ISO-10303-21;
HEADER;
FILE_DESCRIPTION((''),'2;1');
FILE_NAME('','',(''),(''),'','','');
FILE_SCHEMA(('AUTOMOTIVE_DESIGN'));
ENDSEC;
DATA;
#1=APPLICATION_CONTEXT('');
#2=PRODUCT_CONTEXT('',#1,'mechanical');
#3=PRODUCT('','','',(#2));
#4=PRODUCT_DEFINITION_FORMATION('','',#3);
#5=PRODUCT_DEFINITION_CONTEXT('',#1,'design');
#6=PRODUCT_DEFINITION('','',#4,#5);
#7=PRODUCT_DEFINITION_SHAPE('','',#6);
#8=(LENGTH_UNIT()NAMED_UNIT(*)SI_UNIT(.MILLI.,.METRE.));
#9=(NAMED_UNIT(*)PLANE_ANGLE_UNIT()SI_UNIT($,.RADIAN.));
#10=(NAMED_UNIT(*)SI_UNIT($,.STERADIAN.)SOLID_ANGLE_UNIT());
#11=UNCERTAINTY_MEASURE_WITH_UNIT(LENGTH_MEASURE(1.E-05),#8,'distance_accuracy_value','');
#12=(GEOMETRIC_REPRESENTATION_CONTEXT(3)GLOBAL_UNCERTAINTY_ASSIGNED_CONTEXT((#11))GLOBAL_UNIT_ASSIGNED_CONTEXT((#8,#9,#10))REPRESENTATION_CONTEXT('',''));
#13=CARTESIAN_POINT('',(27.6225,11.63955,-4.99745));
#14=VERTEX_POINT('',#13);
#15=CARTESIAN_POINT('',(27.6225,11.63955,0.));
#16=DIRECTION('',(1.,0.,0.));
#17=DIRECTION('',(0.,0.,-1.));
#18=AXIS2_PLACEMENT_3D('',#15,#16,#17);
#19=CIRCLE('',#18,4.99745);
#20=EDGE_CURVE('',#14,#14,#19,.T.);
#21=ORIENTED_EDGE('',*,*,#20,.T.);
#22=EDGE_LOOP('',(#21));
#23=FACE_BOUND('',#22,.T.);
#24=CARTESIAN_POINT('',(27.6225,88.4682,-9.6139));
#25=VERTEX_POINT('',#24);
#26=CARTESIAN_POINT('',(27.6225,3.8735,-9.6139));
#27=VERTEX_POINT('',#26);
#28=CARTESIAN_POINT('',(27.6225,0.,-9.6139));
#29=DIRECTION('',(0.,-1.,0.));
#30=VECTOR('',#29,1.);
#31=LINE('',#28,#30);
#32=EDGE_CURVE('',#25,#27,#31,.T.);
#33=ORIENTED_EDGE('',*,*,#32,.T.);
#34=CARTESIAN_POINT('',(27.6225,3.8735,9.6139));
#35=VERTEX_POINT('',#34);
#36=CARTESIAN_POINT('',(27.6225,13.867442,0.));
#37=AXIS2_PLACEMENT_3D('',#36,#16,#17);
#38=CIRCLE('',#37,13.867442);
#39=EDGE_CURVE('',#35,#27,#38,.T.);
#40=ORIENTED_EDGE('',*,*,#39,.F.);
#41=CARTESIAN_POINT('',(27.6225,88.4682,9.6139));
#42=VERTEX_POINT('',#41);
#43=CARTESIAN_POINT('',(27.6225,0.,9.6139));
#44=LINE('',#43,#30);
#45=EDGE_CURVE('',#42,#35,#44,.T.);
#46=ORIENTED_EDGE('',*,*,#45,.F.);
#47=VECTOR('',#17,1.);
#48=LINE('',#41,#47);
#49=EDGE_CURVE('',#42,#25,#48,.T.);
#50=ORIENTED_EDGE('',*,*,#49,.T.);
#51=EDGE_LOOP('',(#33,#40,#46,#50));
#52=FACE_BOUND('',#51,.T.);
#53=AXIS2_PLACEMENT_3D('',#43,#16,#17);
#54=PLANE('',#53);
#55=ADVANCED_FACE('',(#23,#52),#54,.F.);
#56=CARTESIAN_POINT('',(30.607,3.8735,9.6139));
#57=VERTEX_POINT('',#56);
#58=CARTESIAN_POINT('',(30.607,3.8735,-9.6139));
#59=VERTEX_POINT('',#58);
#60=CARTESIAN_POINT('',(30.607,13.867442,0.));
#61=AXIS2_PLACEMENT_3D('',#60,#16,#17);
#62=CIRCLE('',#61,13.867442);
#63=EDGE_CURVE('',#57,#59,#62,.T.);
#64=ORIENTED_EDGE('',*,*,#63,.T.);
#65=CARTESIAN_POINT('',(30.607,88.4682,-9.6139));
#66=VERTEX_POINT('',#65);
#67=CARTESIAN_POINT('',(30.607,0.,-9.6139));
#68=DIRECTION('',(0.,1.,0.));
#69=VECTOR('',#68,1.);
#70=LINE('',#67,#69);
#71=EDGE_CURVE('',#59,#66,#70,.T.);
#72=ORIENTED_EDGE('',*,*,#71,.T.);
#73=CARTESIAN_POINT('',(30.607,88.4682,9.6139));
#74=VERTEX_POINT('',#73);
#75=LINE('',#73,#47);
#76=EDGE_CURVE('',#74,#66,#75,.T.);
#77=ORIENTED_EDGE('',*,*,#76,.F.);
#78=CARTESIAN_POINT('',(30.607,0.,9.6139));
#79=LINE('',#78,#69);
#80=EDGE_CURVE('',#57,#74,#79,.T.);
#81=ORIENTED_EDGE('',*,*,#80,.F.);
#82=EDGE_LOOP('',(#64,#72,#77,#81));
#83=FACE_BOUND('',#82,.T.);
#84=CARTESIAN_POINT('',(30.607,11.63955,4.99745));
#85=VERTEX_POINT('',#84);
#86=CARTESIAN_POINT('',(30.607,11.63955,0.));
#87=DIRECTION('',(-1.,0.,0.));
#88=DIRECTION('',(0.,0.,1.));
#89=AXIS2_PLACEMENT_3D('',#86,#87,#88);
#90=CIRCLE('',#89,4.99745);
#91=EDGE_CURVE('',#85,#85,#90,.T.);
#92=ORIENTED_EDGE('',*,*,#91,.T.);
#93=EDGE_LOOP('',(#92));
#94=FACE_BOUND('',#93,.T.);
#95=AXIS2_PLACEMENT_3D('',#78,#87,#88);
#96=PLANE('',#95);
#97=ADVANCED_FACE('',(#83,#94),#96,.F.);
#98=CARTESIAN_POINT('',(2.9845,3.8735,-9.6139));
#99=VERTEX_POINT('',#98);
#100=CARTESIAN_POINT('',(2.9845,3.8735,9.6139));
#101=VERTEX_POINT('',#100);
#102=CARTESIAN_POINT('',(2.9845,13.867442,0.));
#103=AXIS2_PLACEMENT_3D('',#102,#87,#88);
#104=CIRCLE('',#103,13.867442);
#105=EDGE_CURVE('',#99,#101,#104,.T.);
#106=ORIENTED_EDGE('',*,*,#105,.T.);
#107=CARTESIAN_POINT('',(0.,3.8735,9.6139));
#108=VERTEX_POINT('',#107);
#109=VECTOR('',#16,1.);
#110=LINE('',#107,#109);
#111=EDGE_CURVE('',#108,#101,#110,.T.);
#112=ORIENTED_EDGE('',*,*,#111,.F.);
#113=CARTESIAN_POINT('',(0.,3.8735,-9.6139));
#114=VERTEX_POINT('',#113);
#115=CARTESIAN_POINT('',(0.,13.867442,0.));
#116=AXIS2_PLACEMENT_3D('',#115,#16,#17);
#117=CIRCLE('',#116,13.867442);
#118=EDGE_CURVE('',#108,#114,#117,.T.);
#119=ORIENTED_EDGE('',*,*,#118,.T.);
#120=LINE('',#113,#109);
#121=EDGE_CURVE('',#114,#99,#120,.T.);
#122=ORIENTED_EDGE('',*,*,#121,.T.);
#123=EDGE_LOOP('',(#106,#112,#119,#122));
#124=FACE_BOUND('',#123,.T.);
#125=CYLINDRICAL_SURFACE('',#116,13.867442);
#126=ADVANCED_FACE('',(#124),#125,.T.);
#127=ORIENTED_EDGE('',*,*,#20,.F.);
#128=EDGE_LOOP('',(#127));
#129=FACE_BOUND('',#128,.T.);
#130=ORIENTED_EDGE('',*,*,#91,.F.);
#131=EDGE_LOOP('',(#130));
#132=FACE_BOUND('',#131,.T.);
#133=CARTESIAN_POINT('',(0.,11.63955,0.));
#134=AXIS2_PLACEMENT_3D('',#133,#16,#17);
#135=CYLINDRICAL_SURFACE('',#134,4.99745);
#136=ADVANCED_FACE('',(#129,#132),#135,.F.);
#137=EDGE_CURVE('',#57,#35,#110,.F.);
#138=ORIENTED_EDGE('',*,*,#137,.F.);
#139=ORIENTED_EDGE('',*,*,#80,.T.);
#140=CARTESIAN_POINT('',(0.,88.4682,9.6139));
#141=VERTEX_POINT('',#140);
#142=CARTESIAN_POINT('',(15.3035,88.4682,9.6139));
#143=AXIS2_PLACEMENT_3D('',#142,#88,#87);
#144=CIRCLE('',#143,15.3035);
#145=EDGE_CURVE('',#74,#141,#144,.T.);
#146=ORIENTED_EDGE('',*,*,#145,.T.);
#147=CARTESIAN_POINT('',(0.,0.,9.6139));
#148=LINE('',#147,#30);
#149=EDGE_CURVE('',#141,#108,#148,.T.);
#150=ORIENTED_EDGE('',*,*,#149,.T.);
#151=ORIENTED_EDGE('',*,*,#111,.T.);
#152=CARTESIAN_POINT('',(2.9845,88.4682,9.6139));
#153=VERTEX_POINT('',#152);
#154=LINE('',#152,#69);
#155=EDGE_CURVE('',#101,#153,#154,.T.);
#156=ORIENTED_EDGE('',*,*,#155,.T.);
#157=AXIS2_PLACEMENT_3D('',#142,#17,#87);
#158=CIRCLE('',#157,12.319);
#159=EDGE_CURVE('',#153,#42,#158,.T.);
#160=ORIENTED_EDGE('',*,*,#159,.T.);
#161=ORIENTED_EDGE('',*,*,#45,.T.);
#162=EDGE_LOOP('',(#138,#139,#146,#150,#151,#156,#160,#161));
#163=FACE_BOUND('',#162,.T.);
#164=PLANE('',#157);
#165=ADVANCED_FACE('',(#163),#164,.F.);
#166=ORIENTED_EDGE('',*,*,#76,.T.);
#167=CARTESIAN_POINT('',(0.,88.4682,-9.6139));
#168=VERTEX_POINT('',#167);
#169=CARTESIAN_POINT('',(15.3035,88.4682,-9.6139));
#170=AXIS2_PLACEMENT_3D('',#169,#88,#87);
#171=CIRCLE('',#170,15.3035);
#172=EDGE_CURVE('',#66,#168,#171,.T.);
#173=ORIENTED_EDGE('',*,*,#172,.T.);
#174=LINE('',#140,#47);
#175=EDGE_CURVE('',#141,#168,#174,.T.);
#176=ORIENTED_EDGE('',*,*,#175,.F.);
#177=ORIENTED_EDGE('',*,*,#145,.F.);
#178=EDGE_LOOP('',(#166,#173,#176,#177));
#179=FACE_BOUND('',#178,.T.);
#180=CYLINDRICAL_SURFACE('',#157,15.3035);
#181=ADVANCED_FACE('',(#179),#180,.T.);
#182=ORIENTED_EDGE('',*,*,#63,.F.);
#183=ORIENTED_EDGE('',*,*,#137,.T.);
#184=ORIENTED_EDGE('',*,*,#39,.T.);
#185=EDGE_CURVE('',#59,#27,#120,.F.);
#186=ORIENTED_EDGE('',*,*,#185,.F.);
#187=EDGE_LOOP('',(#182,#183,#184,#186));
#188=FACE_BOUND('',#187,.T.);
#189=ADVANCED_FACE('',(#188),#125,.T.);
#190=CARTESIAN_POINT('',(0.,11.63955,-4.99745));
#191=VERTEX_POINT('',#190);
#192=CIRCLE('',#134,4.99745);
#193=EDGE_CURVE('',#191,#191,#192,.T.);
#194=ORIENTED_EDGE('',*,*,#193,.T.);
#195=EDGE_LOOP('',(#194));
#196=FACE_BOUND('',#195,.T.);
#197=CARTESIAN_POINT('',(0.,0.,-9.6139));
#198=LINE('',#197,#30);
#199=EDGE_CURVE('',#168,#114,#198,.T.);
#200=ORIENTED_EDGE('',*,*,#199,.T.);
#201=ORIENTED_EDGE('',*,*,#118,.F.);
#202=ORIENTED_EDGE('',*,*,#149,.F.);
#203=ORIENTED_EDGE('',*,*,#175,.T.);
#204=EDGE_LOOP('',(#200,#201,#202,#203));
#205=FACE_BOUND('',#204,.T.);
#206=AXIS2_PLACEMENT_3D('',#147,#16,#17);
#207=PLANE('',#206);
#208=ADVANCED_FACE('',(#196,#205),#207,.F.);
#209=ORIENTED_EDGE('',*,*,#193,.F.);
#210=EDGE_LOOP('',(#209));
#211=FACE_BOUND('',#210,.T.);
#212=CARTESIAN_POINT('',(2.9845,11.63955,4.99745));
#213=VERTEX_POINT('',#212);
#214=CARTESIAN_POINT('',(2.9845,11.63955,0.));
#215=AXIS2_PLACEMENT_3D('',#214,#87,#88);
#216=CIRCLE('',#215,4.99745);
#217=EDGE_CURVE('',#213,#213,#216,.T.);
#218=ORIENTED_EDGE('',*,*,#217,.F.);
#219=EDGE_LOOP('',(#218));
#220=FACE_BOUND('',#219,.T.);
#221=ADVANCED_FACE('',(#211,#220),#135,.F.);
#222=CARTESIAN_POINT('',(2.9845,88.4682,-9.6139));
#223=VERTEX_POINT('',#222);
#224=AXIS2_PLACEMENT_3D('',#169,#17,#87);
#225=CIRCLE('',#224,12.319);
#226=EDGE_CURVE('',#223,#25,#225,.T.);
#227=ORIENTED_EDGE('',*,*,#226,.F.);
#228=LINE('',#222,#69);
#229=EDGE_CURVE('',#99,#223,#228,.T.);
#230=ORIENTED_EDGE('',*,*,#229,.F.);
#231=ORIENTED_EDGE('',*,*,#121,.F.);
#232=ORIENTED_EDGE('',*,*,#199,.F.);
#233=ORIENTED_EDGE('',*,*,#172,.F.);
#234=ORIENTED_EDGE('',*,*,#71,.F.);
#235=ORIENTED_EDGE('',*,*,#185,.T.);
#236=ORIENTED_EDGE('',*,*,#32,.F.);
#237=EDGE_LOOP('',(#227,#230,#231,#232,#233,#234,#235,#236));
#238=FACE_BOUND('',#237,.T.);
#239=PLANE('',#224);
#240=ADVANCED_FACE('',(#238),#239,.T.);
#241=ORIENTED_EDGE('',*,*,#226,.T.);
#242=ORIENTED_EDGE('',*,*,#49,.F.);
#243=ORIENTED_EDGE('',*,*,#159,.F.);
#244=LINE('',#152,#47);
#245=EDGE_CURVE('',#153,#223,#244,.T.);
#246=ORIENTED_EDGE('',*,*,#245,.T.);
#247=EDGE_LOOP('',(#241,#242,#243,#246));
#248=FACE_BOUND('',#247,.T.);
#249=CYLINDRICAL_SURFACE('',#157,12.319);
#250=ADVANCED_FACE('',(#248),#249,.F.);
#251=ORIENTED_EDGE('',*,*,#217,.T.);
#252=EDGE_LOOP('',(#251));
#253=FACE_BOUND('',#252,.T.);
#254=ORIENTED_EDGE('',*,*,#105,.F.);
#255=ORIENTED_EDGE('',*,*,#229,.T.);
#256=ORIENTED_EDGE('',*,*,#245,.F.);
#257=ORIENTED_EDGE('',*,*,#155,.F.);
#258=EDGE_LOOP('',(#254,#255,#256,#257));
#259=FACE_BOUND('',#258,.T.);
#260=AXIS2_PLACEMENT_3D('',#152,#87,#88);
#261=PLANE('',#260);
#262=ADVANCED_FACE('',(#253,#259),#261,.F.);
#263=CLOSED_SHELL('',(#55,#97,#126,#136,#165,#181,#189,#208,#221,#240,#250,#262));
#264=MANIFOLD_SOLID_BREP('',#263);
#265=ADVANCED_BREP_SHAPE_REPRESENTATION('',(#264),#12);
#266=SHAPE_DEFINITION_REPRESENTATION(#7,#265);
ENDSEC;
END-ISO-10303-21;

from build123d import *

# Parameters (mm, degrees)
BOSS_EXTRUDE1_DEPTH     = 9.6139
SKETCH2_R               = 4.99745
CUT_EXTRUDE1_DEPTH      = 1
CUT_EXTRUDE1_DEPTH_BACK = 31.607
CUT_EXTRUDE2_DEPTH      = 1
CUT_EXTRUDE2_DEPTH_BACK = 31.607


with BuildPart() as part:
    # Sketch1 → Boss-Extrude1 (new body, symmetric)
    with BuildSketch(Plane.XY):
        with BuildLine():
            Line((0, 0), (0, 88.4682))
            ThreePointArc((0, 88.4682), (15.3035, 103.7717), (30.607, 88.4682))
            Line((30.607, 88.4682), (30.607, 0))
            Line((30.607, 0), (27.6225, 0))
            Line((27.6225, 0), (27.6225, 88.4682))
            ThreePointArc((27.6225, 88.4682), (15.3035, 100.7872), (2.9845, 88.4682))
            Line((2.9845, 88.4682), (2.9845, 0))
            Line((2.9845, 0), (0, 0))
        make_face()
    extrude(amount=BOSS_EXTRUDE1_DEPTH, both=True)

    # Sketch2 → Cut-Extrude1 (cut, two sides)
    with BuildSketch(Plane(origin=(30.607, 0, 0), x_dir=(0, 0, -1), z_dir=(1, 0, 0))) as cut_extrude1_sk:
        with Locations((0, 11.63955)):
            Circle(SKETCH2_R)
    extrude(amount=CUT_EXTRUDE1_DEPTH, mode=Mode.SUBTRACT)
    extrude(cut_extrude1_sk.sketch, amount=-CUT_EXTRUDE1_DEPTH_BACK, mode=Mode.SUBTRACT)

    # Sketch2<3> → Cut-Extrude2 (cut, two sides)
    with BuildSketch(Plane(origin=(30.607, 0, 0), x_dir=(0, 0, -1), z_dir=(1, 0, 0))) as cut_extrude2_sk:
        with BuildLine():
            ThreePointArc((0, 0), (-5.182448154, 1.004775894), (-9.6139, 3.8735))
            Line((-9.6139, 3.8735), (-9.6139, 0))
            Line((-9.6139, 0), (0, 0))
        make_face()
        with BuildLine():
            ThreePointArc((9.6139, 3.8735), (5.182448154, 1.004775894), (0, 0))
            Line((0, 0), (9.6139, 0))
            Line((9.6139, 0), (9.6139, 3.8735))
        make_face()
    extrude(amount=CUT_EXTRUDE2_DEPTH, mode=Mode.SUBTRACT)
    extrude(cut_extrude2_sk.sketch, amount=-CUT_EXTRUDE2_DEPTH_BACK, mode=Mode.SUBTRACT)


solid = part.part
